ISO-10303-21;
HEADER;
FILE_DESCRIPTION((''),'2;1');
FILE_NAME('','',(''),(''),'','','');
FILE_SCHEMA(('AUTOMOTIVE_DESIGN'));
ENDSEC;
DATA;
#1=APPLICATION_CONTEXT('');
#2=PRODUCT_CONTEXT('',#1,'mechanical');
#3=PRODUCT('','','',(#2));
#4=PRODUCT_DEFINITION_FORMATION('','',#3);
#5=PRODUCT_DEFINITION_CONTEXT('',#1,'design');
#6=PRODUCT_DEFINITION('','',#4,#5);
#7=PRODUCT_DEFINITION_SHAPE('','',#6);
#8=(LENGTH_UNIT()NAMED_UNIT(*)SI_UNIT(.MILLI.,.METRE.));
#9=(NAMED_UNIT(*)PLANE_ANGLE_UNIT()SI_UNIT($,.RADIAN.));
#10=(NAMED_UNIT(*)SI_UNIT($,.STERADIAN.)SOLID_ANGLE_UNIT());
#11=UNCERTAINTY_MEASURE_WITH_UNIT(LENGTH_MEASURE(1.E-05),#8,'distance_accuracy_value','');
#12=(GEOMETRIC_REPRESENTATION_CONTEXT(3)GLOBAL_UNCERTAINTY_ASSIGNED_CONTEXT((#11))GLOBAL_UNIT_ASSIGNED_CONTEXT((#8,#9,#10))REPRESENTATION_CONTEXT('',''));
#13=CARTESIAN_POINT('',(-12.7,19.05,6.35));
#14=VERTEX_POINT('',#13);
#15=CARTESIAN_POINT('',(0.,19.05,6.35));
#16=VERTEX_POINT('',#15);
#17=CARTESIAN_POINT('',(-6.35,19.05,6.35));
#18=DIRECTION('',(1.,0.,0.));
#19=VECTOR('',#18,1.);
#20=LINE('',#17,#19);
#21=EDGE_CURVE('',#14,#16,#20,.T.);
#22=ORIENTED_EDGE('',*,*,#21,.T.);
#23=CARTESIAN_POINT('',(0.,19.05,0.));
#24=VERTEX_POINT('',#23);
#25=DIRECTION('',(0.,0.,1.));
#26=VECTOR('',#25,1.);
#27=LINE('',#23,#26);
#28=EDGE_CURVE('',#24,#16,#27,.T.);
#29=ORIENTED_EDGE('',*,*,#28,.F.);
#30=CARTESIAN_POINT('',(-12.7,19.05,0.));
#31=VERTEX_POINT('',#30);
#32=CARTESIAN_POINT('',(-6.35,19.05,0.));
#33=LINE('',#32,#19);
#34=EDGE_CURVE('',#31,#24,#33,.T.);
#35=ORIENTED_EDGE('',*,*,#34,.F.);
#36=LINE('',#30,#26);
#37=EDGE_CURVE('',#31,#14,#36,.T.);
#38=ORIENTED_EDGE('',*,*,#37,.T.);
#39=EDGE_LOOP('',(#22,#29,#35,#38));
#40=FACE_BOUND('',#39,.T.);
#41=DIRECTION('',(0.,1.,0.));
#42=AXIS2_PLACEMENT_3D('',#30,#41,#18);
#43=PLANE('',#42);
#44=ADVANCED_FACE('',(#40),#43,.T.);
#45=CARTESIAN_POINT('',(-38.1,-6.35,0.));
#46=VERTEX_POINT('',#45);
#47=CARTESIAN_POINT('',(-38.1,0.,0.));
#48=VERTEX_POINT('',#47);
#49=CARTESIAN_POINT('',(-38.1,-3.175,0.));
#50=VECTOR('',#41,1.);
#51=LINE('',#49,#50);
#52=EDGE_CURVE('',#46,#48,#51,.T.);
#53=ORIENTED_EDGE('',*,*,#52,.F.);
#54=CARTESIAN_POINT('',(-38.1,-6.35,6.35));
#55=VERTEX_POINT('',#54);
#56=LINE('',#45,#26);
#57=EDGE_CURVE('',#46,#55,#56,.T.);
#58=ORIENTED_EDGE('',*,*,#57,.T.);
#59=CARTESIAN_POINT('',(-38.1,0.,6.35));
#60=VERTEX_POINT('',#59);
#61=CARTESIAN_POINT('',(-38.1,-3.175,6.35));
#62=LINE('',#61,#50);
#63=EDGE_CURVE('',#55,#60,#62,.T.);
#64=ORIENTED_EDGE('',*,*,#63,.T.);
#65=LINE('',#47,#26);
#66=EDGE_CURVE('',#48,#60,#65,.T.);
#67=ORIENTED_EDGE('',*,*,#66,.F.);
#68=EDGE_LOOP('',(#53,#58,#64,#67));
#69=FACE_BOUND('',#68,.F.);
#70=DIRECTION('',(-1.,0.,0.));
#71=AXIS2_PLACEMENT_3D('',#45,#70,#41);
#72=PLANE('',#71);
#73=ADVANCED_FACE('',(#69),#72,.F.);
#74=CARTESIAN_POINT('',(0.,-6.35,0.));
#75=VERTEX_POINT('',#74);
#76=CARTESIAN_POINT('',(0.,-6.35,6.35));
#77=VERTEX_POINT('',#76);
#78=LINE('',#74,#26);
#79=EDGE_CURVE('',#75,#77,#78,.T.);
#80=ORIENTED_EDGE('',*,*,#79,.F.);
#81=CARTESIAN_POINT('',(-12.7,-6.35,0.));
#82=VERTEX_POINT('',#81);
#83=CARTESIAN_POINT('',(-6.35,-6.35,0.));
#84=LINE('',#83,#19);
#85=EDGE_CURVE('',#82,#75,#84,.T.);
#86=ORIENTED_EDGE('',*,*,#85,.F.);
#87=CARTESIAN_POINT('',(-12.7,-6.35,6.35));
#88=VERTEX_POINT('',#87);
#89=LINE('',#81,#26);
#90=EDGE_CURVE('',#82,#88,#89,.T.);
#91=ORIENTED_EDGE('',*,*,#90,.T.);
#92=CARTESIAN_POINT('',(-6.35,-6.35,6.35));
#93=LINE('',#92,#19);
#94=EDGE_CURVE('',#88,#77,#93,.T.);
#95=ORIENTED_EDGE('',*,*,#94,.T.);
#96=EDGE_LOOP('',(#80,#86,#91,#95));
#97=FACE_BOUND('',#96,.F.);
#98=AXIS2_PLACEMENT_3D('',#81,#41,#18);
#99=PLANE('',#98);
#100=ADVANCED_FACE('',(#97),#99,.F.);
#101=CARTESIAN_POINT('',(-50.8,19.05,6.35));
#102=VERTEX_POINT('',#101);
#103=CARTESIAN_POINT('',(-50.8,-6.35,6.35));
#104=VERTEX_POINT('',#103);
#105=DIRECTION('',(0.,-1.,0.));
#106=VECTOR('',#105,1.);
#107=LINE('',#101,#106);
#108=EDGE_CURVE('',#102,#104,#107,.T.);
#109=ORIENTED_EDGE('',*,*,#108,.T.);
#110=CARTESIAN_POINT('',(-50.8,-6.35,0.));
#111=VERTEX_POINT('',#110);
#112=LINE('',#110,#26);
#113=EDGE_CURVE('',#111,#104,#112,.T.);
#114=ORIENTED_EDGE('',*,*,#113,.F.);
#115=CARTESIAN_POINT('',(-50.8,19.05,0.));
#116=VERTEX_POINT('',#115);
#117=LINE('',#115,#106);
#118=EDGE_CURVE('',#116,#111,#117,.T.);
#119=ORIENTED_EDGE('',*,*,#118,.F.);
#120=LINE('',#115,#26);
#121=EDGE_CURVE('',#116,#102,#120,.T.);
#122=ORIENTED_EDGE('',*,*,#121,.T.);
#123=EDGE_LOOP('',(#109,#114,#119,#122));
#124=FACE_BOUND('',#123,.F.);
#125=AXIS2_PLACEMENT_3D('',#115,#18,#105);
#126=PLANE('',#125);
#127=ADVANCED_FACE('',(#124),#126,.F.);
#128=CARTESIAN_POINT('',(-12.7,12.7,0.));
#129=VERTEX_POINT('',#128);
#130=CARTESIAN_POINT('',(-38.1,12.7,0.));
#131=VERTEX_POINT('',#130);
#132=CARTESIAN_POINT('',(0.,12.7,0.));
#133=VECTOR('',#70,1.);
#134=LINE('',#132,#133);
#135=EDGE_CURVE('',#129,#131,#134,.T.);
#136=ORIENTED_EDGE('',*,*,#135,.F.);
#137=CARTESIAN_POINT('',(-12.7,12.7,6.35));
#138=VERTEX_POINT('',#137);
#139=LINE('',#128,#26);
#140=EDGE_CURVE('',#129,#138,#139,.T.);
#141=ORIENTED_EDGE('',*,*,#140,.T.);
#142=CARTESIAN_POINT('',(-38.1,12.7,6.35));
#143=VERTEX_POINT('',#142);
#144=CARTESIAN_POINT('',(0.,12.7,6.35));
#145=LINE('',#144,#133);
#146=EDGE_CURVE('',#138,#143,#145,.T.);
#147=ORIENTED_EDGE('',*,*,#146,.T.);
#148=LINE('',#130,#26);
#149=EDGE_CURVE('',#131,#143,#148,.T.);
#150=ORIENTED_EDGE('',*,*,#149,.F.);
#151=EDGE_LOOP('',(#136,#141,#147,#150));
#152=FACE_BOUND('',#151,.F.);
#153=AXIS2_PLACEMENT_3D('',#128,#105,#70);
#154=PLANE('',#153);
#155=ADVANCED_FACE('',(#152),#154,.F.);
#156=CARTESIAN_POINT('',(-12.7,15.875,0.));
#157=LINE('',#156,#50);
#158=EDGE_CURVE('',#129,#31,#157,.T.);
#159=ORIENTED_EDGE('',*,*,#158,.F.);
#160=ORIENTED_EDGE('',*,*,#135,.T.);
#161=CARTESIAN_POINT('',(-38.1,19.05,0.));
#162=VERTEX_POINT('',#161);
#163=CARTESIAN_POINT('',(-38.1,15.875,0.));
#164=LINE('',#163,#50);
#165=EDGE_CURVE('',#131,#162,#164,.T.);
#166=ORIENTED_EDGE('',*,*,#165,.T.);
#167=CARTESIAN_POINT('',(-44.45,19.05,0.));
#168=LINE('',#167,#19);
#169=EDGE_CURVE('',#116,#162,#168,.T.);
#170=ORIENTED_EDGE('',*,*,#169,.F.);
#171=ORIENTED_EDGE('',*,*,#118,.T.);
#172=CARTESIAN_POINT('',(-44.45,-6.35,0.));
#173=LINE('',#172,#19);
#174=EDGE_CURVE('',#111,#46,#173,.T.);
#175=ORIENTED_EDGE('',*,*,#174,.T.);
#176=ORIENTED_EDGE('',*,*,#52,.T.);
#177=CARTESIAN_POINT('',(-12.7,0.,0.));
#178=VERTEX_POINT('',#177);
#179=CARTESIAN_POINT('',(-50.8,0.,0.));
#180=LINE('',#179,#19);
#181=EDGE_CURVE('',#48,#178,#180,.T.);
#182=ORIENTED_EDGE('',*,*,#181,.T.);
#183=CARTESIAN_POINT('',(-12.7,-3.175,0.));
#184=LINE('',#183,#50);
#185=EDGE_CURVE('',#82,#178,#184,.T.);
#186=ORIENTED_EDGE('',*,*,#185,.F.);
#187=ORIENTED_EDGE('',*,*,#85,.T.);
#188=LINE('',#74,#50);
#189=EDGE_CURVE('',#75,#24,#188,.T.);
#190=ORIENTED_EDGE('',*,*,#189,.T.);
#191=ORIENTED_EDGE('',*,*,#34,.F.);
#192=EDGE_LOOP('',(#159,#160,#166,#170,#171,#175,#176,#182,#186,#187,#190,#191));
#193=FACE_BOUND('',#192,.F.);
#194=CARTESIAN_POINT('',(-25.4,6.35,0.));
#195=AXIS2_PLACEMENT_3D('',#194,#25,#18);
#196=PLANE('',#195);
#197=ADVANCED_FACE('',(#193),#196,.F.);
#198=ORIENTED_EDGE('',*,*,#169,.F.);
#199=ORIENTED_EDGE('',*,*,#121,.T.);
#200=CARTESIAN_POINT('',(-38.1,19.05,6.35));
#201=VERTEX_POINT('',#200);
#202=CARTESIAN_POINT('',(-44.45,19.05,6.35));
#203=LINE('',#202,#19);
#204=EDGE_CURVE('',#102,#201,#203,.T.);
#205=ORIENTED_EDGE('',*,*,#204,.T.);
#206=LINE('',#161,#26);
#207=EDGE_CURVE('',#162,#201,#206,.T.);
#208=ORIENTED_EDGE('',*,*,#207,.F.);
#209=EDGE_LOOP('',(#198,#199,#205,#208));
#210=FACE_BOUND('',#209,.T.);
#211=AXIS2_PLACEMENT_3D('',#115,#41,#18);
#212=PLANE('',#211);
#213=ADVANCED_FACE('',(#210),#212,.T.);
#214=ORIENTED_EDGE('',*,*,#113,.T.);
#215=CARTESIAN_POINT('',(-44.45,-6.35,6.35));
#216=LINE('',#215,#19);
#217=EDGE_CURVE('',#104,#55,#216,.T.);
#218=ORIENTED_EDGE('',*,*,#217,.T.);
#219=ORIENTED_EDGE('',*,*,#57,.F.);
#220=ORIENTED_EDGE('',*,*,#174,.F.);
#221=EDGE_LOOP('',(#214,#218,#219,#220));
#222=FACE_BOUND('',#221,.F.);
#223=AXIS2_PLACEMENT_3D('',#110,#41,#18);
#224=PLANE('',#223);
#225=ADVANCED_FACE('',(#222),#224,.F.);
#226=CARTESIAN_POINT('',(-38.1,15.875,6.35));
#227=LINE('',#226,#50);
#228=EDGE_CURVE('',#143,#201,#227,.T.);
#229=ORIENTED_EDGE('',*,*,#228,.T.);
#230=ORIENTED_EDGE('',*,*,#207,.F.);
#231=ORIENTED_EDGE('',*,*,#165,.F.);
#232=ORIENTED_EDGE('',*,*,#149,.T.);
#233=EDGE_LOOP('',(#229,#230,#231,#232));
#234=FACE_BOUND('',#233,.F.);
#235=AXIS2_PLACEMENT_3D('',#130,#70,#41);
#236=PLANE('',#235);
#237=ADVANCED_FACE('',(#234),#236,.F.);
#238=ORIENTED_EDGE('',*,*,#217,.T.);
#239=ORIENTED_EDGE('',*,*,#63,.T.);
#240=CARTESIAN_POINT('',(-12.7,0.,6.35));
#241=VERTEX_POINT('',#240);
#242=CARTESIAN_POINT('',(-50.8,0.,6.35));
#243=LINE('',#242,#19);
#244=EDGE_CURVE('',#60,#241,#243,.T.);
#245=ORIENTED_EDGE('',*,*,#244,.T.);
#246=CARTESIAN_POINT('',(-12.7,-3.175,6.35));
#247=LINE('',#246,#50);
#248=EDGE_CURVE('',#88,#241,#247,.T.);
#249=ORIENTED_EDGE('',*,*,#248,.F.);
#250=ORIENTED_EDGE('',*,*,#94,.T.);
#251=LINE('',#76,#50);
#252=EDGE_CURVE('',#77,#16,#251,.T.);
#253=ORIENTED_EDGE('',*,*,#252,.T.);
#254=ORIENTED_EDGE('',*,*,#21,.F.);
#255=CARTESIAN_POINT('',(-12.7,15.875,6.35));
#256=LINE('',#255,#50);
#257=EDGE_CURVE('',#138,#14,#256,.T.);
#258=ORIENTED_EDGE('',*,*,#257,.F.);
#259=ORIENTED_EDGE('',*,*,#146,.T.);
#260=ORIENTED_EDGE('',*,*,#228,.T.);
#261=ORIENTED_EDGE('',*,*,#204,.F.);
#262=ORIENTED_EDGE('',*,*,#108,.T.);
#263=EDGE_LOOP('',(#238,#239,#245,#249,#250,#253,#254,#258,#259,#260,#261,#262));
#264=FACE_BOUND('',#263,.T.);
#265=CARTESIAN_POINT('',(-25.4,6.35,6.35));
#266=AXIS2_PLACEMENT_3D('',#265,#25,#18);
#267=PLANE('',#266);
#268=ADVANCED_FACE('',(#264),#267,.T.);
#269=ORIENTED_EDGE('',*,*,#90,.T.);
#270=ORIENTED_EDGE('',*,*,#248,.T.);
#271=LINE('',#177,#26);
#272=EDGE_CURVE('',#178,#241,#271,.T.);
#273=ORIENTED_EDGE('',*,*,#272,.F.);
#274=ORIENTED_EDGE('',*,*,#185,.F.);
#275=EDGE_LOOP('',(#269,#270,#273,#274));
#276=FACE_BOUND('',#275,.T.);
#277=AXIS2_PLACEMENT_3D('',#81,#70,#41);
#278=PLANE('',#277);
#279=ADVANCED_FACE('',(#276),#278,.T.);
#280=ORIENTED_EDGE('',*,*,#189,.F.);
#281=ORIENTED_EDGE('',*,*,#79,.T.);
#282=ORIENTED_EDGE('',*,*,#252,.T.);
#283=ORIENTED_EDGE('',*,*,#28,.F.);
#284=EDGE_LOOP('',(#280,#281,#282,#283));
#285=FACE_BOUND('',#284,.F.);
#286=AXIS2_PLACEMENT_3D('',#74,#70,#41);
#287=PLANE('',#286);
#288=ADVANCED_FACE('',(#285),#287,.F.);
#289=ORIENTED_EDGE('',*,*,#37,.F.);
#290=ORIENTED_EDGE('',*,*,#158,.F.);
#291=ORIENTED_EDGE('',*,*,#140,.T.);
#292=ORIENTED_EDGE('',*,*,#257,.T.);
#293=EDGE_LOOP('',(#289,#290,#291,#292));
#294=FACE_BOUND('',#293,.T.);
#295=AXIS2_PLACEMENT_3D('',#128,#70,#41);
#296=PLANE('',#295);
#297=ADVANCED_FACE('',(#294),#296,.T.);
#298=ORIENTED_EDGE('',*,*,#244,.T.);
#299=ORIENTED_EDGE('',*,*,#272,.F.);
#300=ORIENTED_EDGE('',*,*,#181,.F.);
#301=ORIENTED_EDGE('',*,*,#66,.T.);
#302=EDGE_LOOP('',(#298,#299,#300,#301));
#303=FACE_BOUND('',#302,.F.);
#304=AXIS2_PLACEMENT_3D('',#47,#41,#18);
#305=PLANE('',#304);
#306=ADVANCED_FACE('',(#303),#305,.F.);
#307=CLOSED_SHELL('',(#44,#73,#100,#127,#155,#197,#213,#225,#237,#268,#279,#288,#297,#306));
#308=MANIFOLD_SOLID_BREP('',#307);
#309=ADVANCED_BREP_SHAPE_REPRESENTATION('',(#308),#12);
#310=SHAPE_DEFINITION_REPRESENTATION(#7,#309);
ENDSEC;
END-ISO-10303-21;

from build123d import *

# Parameters (mm, degrees)
F0_W     = 12.7
F0_H     = 6.35
F1_DEPTH = 6.35


with BuildPart() as f1:
    # F0 (on Top) → F1 (new body)
    with BuildSketch(Plane.XY):
        Polygon((-12.7, 0), (0, 0), (0, 12.7), (-12.7, 12.7), (-38.1, 12.7), (-50.8, 12.7), (-50.8, 0), (-38.1, 0), align=None)
        with Locations((-44.45, 15.875)):
            Rectangle(F0_W, F0_H)
        with Locations((-6.35, 15.875)):
            Rectangle(F0_W, F0_H)
        with Locations((-6.35, -3.175)):
            Rectangle(F0_W, F0_H)
        with Locations((-44.45, -3.175)):
            Rectangle(F0_W, F0_H)
    extrude(amount=F1_DEPTH)


solid = f1.part
